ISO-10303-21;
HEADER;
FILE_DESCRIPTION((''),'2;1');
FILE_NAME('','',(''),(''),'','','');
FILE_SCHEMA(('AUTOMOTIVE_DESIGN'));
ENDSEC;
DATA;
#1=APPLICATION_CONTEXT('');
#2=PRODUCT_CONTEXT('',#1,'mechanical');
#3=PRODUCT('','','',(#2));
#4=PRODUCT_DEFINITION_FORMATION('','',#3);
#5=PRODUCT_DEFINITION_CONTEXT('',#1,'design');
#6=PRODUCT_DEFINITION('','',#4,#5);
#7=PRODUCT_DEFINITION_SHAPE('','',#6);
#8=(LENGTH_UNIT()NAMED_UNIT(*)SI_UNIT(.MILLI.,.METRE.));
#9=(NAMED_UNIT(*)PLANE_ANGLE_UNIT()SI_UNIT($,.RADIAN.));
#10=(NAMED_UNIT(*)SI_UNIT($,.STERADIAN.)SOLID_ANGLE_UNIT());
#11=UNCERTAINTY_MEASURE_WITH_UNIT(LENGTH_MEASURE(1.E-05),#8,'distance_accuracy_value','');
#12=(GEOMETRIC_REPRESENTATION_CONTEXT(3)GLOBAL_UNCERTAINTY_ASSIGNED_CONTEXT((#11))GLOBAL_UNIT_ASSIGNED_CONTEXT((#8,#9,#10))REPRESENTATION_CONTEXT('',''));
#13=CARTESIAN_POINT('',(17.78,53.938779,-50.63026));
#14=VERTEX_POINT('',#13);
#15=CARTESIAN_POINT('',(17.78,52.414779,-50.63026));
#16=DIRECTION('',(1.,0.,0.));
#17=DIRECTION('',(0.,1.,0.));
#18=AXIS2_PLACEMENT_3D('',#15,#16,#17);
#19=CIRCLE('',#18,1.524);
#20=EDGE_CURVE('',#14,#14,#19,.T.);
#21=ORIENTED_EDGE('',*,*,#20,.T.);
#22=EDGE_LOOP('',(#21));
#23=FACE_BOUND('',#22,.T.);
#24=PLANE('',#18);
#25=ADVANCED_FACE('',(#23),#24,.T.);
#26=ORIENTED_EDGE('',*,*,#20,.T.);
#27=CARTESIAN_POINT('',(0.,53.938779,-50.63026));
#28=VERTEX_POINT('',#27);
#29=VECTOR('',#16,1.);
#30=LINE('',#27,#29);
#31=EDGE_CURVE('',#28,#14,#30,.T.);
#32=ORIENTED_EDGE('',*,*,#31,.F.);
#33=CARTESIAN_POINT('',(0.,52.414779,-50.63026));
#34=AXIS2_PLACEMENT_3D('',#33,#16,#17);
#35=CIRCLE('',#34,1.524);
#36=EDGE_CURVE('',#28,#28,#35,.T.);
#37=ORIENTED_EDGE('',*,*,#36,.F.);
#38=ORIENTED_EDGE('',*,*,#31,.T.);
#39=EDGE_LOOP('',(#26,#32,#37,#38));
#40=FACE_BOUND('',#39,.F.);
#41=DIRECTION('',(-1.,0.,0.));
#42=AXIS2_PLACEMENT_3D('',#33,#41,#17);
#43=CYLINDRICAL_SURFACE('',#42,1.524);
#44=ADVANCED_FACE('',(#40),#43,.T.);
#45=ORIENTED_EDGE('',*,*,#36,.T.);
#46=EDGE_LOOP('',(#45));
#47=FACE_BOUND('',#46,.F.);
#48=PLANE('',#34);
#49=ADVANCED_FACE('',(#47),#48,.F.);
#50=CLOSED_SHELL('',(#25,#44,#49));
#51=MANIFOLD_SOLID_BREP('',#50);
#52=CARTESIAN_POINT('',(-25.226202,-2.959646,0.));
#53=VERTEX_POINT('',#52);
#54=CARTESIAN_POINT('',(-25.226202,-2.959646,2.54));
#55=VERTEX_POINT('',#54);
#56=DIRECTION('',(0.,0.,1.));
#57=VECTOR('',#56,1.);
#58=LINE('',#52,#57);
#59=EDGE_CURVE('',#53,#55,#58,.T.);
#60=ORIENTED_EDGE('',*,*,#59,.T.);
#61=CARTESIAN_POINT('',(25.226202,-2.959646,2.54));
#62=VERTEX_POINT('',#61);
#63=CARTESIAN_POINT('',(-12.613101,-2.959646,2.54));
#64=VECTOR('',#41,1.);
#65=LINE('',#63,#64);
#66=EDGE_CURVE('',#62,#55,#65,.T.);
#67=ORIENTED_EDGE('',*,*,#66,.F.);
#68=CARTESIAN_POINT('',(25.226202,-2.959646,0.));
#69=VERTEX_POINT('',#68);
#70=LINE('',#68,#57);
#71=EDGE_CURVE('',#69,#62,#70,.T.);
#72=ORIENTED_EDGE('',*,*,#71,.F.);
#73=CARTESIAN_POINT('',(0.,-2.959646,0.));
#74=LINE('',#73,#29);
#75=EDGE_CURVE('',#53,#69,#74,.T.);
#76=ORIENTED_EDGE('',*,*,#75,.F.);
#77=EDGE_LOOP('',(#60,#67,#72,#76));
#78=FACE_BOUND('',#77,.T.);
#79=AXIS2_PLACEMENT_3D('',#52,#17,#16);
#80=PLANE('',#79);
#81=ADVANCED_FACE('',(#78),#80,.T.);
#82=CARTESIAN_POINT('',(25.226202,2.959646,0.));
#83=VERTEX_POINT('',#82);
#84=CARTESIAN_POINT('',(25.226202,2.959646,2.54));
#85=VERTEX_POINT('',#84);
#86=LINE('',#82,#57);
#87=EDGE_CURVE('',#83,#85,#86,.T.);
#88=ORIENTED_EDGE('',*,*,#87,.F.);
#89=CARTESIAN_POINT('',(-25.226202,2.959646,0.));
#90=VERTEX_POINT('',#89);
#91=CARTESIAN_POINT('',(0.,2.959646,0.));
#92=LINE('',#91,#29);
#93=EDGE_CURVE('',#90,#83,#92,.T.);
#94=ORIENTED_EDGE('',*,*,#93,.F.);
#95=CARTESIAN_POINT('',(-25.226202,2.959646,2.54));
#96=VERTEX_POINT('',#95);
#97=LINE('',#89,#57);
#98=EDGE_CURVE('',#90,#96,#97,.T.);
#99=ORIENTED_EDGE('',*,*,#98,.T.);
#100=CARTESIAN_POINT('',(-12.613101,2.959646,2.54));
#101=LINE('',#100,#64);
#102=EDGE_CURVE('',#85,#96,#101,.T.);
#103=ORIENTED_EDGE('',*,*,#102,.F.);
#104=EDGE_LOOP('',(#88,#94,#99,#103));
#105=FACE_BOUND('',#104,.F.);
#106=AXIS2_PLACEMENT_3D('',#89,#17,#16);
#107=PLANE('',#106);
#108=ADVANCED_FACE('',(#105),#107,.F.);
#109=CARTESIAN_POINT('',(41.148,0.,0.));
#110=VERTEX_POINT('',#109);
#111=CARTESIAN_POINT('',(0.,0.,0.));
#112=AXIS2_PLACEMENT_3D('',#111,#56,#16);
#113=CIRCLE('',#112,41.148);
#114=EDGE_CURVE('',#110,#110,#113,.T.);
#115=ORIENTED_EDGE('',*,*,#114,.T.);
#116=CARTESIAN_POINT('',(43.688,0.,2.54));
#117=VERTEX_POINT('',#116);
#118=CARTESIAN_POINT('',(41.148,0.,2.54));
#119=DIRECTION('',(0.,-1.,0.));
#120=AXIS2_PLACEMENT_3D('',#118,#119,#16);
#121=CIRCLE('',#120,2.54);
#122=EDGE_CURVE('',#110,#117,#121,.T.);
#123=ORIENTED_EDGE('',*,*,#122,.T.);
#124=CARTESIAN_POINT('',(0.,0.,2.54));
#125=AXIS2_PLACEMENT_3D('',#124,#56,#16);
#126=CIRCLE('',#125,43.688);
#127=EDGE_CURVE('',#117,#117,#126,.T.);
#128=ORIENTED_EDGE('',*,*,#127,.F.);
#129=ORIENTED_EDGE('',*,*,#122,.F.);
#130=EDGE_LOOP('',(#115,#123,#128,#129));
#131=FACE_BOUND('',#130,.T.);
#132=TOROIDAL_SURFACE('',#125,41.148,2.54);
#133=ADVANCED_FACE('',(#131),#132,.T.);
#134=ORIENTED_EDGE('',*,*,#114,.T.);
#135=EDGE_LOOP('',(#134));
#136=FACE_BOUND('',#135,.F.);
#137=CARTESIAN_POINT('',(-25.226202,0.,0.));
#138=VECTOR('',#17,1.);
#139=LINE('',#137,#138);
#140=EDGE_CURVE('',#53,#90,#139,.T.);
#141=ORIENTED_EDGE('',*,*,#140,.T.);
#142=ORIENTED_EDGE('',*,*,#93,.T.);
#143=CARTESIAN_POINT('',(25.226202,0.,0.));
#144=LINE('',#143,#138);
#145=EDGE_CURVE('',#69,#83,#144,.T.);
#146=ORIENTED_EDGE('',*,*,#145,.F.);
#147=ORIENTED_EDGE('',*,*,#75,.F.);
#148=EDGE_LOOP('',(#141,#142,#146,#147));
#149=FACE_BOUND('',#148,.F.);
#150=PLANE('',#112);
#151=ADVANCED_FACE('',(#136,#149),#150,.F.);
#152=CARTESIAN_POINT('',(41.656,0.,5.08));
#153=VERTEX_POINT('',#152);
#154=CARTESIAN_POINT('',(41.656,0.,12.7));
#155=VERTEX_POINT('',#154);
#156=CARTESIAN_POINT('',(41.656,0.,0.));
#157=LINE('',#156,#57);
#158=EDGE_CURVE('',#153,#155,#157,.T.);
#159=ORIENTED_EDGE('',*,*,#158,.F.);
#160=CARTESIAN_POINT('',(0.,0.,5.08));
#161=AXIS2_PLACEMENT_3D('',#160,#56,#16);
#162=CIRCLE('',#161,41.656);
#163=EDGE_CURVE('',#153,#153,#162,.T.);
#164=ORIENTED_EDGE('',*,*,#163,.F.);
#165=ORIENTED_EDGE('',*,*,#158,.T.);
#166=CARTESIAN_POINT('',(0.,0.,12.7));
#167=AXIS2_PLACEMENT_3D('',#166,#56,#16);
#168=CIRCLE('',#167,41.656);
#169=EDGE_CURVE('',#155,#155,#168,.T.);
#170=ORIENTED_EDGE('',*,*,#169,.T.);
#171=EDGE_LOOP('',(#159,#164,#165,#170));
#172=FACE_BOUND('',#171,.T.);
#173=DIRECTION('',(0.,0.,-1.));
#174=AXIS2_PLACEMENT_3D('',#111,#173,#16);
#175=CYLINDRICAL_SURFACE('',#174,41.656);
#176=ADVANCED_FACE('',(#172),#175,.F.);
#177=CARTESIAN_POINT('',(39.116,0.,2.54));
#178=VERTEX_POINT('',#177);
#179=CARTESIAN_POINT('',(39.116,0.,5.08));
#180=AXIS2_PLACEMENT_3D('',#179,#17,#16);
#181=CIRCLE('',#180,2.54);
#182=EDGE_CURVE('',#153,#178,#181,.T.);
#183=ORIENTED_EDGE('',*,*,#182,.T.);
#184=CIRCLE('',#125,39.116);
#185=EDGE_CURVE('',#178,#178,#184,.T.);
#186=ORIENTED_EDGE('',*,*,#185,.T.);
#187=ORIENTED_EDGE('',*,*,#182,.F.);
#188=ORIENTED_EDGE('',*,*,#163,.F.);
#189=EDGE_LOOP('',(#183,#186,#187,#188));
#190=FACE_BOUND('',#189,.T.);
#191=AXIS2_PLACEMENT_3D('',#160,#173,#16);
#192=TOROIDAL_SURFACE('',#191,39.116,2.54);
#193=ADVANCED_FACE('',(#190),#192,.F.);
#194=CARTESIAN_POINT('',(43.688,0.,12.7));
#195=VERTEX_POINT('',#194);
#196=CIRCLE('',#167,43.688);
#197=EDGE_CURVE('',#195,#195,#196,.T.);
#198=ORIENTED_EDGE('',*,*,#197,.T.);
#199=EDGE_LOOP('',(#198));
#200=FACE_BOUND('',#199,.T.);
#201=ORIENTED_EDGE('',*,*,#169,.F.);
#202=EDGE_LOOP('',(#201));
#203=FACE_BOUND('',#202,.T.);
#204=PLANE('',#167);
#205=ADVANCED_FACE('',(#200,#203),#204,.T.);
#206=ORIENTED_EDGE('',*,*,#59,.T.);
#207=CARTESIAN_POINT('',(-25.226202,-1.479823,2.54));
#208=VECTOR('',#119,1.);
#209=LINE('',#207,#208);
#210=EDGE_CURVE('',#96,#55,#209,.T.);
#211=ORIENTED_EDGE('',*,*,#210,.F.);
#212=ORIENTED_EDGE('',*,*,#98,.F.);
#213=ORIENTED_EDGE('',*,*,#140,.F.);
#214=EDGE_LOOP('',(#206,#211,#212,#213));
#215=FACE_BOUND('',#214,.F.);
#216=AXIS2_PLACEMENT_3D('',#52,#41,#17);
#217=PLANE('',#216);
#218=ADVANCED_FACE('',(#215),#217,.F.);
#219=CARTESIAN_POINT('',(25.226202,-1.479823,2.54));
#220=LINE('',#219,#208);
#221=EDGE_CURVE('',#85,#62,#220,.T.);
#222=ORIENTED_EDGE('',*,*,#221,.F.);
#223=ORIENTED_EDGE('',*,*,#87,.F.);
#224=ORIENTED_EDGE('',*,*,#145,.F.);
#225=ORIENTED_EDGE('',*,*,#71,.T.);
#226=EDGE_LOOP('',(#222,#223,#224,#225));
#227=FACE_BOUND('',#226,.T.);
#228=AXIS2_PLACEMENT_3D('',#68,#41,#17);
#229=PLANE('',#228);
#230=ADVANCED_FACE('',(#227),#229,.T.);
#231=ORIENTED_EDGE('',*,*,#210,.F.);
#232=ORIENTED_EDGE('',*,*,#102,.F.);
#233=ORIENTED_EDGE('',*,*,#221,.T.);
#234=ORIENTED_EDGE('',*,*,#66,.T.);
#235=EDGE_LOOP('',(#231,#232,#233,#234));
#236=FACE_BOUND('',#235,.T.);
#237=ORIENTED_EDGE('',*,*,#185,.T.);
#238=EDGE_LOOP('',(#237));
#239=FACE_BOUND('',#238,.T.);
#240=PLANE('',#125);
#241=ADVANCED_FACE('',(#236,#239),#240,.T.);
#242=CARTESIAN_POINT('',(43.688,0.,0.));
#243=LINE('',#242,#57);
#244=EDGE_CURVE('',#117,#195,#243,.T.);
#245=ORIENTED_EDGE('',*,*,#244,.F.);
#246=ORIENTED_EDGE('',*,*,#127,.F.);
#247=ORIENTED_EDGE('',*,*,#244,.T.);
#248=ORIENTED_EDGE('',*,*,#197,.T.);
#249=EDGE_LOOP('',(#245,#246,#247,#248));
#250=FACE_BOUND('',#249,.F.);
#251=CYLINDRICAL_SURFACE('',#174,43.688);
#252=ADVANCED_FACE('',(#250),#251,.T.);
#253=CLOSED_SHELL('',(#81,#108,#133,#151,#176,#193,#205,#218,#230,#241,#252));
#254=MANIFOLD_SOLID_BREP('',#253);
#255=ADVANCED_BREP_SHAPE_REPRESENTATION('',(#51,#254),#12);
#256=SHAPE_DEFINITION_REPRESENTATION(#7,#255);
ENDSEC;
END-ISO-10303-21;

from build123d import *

# Parameters (mm, degrees)
F0_R     = 43.688
F0_R_2   = 41.656
F1_DEPTH = 12.7
F2_DEPTH = 2.54
F3_R     = 2.54
F4_R     = 1.524
F5_DEPTH = 17.78
F6_W     = 50.452404
F6_H     = 5.919292
F7_DEPTH = 25.4


with BuildPart() as f1:
    # F0 (on Top) → F1 (new body)
    with BuildSketch(Plane.XY):
        Circle(F0_R)
        Circle(F0_R_2, mode=Mode.SUBTRACT)
    extrude(amount=F1_DEPTH)

    # F0 (on Top) → F2 (join)
    with BuildSketch(Plane.XY):
        Circle(F0_R_2)
    extrude(amount=F2_DEPTH)

    # F3
    f3_edges = [f1.edges().sort_by_distance(p)[0] for p in [
        (-41.656, 0, 2.54),
        (-43.688, 0, 0),
    ]]
    fillet(f3_edges, radius=F3_R)

    # F6 (on face) → F7 (cut)
    with BuildSketch(Plane.XY):
        Rectangle(F6_W, F6_H)
    extrude(amount=F7_DEPTH, mode=Mode.SUBTRACT)


with BuildPart() as f5:
    # F4 (on Right) → F5 (new body)
    with BuildSketch(Plane.YZ):
        with Locations((52.414779, -50.63026)):
            Circle(F4_R)
    extrude(amount=F5_DEPTH)


solid = Compound([f1.part, f5.part])
